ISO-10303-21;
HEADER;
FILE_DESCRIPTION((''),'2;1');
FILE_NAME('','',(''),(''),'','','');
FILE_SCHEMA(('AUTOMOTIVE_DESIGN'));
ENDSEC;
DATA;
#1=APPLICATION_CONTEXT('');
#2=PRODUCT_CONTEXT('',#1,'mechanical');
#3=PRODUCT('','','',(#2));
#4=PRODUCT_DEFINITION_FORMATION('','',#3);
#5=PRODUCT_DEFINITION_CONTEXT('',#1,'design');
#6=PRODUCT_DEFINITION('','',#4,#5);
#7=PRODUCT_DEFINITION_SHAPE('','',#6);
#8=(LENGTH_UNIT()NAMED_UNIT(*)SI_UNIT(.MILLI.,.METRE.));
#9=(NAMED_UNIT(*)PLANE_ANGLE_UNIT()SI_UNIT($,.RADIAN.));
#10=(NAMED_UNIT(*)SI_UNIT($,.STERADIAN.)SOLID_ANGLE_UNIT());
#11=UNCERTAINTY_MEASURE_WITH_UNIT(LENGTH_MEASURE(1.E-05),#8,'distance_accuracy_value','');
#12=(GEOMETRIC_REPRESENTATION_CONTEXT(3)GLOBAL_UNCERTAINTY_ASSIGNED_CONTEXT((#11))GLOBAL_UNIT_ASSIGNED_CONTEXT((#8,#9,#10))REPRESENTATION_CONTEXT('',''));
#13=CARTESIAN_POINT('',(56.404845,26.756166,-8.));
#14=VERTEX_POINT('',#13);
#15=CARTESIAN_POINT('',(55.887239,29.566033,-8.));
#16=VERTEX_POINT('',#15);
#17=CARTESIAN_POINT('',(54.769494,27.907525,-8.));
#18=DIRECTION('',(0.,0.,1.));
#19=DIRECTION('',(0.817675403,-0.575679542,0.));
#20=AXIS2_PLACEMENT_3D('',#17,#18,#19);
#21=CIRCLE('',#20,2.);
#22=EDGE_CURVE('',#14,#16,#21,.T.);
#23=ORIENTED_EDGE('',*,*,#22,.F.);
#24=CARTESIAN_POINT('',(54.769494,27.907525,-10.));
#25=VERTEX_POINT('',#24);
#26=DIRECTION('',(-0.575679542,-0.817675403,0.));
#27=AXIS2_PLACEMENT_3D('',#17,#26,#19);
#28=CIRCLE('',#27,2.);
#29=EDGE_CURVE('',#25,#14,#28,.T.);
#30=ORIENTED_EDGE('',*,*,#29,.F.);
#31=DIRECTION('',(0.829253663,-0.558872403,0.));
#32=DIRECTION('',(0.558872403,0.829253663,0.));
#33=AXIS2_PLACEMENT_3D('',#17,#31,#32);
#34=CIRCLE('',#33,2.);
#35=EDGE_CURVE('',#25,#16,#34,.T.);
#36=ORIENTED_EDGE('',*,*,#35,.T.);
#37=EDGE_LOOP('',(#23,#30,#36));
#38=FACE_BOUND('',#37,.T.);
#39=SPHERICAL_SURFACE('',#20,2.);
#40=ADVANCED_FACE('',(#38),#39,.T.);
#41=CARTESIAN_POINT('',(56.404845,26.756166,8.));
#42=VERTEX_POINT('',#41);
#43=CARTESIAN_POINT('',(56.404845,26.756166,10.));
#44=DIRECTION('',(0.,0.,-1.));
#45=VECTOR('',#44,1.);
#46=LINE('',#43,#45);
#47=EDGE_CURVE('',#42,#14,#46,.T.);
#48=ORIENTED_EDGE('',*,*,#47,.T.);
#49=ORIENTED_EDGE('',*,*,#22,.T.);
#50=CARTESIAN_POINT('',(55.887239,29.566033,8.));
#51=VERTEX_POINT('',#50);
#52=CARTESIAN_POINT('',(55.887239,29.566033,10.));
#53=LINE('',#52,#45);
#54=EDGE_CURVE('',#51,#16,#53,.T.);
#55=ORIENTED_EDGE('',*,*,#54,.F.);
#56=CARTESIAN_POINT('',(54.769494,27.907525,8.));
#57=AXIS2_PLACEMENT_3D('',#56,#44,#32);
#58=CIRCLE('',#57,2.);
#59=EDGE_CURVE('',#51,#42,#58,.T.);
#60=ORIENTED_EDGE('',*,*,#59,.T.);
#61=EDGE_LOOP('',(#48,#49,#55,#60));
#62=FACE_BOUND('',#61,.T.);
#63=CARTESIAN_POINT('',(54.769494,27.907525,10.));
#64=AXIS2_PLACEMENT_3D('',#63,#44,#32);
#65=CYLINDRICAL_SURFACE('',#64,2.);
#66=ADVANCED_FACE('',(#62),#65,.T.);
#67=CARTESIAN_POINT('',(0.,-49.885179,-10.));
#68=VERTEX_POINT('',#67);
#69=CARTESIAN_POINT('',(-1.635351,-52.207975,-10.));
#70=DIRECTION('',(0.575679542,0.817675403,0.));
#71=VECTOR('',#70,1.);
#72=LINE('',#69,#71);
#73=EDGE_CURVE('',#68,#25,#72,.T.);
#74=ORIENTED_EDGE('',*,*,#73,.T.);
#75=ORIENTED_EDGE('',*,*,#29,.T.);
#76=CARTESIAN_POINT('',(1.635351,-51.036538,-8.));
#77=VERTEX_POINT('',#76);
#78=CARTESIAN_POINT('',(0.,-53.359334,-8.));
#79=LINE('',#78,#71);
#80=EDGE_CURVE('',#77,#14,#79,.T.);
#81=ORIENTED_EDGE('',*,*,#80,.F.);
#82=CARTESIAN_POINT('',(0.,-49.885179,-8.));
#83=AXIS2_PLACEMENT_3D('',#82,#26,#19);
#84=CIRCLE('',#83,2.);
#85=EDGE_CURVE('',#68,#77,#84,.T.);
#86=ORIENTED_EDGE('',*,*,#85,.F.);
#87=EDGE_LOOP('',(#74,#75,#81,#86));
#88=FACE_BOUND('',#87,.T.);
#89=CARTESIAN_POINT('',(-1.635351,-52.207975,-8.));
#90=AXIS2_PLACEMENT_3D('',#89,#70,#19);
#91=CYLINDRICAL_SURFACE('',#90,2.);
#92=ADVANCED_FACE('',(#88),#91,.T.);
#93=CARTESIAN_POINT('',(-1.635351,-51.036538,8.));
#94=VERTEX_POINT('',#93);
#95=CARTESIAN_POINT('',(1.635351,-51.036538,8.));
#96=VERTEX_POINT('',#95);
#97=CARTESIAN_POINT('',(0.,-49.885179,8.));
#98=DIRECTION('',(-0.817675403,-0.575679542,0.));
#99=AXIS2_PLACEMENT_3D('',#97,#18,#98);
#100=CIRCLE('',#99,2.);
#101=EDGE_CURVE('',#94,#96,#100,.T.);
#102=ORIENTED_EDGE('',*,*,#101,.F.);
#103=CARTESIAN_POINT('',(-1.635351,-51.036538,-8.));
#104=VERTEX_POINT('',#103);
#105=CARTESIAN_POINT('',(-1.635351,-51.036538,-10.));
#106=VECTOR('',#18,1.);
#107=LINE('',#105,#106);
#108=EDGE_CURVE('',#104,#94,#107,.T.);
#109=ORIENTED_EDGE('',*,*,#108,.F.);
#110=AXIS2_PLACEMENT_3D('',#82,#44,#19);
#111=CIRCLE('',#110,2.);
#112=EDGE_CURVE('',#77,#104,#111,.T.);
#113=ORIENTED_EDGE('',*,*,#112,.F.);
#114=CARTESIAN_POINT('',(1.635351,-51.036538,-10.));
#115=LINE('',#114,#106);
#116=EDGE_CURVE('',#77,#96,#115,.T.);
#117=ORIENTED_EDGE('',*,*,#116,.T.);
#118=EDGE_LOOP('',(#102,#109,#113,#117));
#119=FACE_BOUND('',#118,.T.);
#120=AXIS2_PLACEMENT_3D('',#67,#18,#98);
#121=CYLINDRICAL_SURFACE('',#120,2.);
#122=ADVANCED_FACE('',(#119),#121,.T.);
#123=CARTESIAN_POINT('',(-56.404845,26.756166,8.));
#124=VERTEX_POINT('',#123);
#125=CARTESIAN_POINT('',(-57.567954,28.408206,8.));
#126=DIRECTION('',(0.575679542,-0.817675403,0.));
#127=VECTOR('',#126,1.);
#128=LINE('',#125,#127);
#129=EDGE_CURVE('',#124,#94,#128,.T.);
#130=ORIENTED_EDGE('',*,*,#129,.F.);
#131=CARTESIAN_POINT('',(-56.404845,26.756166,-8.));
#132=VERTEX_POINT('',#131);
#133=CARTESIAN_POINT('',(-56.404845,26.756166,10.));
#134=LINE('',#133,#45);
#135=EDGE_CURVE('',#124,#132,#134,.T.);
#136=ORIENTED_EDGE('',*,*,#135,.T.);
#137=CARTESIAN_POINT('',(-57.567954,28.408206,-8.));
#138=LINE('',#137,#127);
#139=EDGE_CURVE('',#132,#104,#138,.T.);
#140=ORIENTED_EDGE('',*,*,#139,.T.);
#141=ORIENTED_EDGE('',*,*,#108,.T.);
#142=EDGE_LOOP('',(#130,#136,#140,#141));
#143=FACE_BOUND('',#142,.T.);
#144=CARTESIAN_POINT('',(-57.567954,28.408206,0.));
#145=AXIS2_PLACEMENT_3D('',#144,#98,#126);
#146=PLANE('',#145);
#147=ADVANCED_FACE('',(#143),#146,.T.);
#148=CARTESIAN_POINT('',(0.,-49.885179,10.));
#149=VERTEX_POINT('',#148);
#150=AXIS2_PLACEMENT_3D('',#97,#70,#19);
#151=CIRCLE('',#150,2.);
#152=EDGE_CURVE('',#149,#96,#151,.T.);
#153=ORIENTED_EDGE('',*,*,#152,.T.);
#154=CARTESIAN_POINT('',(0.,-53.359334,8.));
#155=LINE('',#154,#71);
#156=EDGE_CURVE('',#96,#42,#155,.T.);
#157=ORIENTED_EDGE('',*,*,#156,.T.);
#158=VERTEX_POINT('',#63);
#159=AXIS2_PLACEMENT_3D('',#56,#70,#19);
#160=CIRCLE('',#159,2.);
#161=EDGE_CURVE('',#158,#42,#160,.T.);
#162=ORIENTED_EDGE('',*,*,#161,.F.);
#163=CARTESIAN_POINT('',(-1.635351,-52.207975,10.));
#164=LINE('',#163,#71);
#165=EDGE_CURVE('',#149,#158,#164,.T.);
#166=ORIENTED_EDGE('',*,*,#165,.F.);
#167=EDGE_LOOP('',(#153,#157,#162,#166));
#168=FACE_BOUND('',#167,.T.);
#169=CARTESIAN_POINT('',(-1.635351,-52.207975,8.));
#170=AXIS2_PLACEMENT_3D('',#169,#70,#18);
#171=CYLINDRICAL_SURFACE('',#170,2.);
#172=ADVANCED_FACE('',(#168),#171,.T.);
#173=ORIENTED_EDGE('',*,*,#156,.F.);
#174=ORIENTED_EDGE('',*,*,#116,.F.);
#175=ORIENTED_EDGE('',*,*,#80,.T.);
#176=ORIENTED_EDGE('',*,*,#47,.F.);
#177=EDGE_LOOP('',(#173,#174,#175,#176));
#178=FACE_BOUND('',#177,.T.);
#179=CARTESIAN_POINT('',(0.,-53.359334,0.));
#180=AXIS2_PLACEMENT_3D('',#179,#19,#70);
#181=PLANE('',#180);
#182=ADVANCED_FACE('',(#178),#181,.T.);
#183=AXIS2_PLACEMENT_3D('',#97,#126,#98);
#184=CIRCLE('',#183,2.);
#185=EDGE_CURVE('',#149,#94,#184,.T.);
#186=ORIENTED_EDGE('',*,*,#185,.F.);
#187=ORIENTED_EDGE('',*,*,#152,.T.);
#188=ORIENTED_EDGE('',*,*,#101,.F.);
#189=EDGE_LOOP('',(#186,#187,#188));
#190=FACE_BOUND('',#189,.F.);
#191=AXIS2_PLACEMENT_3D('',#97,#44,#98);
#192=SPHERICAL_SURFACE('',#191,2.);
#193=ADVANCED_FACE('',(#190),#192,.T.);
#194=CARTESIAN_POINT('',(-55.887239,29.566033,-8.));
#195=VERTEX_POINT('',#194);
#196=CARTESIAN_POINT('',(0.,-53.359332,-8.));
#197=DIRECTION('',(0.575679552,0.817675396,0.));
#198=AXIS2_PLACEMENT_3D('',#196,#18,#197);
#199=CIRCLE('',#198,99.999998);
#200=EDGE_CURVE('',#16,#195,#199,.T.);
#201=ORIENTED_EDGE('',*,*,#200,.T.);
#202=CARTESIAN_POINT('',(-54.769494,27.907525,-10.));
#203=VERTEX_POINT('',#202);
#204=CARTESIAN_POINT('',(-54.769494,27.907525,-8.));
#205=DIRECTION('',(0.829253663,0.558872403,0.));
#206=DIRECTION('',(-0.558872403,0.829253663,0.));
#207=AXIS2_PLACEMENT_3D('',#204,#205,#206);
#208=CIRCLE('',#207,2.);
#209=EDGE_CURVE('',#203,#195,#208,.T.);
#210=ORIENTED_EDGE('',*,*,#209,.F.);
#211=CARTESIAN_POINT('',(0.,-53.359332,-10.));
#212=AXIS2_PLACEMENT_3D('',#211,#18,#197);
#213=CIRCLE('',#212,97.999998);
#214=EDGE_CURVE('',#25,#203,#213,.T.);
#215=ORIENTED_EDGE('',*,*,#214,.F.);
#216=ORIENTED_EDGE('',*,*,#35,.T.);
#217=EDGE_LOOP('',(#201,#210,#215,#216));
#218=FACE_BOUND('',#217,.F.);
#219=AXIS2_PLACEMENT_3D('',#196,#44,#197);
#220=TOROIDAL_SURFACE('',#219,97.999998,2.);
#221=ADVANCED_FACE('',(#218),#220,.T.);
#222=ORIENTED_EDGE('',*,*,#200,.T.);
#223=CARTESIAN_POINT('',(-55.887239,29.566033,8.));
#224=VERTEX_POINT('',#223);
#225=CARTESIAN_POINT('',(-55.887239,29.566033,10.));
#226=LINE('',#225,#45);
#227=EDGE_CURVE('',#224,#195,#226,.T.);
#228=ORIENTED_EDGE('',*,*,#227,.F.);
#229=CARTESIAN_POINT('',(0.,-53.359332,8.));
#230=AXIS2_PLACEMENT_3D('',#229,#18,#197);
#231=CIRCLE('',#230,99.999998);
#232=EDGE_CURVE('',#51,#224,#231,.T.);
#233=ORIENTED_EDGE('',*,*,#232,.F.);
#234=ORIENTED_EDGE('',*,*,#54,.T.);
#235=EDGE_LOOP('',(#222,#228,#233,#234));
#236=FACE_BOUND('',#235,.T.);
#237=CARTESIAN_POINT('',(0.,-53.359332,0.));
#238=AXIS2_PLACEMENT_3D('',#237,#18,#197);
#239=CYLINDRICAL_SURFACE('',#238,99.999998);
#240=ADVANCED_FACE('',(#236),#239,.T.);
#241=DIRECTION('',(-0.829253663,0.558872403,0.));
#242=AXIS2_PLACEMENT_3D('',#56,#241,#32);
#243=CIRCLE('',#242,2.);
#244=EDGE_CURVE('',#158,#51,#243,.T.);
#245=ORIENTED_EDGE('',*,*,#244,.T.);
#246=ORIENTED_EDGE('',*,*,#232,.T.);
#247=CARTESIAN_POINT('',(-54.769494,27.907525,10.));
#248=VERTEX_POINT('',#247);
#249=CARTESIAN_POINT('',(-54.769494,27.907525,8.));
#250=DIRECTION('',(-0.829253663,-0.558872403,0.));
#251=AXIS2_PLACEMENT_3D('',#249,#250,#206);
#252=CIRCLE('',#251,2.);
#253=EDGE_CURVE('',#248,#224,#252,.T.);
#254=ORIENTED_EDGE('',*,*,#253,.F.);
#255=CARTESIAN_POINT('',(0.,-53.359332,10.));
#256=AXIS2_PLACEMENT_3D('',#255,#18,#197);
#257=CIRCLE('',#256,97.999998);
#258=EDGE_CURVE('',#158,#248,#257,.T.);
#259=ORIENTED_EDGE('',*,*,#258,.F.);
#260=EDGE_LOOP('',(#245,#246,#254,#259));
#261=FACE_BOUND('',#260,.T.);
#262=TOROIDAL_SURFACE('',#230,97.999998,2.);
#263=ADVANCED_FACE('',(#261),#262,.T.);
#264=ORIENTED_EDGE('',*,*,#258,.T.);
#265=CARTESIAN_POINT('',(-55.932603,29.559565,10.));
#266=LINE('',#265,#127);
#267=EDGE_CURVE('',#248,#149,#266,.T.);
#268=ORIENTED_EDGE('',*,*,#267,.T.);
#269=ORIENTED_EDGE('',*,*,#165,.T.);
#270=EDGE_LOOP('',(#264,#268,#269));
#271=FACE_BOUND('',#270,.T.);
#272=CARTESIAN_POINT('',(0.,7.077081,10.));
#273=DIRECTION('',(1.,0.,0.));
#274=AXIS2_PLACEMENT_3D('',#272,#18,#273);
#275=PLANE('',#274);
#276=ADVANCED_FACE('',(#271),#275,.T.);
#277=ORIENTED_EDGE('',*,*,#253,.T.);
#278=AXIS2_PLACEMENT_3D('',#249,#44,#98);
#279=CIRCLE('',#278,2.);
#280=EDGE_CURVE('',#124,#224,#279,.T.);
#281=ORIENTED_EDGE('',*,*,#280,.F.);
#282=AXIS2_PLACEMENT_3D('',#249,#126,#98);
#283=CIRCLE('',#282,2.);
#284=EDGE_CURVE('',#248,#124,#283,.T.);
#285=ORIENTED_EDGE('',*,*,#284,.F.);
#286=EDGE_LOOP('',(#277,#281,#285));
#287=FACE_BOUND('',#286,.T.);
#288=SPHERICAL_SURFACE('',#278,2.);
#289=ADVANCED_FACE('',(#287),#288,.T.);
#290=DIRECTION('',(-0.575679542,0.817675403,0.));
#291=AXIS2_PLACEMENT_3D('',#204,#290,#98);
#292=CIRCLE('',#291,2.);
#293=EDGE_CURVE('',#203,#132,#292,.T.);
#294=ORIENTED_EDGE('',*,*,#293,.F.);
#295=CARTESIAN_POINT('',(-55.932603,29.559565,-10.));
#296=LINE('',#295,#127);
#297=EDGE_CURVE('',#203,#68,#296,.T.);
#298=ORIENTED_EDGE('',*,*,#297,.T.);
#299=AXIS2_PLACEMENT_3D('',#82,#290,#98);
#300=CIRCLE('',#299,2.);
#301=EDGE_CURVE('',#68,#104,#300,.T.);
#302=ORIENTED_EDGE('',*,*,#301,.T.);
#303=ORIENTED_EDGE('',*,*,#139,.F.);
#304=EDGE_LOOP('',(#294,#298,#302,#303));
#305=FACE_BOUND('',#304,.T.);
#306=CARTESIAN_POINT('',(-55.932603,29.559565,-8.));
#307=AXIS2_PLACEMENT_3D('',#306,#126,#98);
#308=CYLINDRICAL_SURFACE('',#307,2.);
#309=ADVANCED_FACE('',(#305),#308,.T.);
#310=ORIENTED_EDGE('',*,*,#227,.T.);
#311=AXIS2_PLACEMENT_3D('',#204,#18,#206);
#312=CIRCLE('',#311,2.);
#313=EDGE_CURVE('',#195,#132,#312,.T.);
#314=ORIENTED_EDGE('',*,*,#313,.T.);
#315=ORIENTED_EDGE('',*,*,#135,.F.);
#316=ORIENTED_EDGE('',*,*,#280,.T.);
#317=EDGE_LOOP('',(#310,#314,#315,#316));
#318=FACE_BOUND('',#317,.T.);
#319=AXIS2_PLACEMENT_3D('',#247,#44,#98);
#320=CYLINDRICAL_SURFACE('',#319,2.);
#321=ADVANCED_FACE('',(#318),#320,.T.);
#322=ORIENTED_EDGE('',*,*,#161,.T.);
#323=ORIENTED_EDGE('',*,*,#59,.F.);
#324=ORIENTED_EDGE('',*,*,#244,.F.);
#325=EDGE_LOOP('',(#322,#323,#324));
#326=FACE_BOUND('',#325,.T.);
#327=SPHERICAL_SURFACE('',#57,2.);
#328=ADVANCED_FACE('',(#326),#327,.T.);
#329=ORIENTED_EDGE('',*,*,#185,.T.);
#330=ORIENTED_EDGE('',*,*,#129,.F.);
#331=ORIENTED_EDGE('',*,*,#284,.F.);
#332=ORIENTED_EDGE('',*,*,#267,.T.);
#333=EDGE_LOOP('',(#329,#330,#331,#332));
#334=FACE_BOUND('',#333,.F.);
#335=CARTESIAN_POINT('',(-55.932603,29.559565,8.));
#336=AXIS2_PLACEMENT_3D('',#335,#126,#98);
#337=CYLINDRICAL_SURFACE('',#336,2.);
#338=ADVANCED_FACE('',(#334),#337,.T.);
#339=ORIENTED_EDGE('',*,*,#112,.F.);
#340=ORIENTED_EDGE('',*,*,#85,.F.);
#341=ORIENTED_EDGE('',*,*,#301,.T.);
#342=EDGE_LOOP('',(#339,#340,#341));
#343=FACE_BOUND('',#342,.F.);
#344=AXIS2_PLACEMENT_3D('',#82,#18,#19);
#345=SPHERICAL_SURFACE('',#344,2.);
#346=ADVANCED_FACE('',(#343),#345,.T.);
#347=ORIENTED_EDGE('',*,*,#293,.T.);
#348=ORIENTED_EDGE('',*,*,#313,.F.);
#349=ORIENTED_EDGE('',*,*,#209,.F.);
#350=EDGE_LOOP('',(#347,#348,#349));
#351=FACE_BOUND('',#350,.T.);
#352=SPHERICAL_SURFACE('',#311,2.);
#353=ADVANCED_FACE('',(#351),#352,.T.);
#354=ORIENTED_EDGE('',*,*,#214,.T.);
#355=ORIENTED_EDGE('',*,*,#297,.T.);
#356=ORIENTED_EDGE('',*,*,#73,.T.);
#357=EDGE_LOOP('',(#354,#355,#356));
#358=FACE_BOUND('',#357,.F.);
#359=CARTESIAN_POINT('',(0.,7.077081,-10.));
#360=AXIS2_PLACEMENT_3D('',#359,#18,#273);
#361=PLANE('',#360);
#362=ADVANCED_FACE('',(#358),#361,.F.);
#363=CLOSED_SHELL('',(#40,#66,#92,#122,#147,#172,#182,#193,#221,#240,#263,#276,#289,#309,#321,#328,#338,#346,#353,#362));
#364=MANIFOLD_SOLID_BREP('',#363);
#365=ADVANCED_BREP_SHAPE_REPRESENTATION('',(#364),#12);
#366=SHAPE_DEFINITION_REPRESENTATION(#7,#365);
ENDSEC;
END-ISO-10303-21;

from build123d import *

# Parameters (mm, degrees)
F1_DEPTH = 10
F2_R     = 2


with BuildPart() as f1:
    # F0 (on Top) → F1 (new body, symmetric)
    with BuildSketch(Plane.XY):
        with BuildLine():
            Line((-57.567954, 28.408206), (0, -53.359334))
            Line((0, -53.359334), (57.567954, 28.408206))
            ThreePointArc((57.567954, 28.408206), (0, 46.640666), (-57.567954, 28.408206))
        make_face()
    extrude(amount=F1_DEPTH, both=True)

    # F2
    f2_edges = [f1.edges().sort_by_distance(p)[0] for p in [
        (-28.783977, -12.475564, 10),
        (0, 46.640666, 10),
        (28.783977, -12.475564, 10),
        (0, -53.359334, 0),
        (28.783977, -12.475564, -10),
        (-28.783977, -12.475564, -10),
        (-57.567954, 28.408206, 0),
        (0, 46.640666, -10),
        (57.567954, 28.408206, 0),
    ]]
    fillet(f2_edges, radius=F2_R)


solid = f1.part
